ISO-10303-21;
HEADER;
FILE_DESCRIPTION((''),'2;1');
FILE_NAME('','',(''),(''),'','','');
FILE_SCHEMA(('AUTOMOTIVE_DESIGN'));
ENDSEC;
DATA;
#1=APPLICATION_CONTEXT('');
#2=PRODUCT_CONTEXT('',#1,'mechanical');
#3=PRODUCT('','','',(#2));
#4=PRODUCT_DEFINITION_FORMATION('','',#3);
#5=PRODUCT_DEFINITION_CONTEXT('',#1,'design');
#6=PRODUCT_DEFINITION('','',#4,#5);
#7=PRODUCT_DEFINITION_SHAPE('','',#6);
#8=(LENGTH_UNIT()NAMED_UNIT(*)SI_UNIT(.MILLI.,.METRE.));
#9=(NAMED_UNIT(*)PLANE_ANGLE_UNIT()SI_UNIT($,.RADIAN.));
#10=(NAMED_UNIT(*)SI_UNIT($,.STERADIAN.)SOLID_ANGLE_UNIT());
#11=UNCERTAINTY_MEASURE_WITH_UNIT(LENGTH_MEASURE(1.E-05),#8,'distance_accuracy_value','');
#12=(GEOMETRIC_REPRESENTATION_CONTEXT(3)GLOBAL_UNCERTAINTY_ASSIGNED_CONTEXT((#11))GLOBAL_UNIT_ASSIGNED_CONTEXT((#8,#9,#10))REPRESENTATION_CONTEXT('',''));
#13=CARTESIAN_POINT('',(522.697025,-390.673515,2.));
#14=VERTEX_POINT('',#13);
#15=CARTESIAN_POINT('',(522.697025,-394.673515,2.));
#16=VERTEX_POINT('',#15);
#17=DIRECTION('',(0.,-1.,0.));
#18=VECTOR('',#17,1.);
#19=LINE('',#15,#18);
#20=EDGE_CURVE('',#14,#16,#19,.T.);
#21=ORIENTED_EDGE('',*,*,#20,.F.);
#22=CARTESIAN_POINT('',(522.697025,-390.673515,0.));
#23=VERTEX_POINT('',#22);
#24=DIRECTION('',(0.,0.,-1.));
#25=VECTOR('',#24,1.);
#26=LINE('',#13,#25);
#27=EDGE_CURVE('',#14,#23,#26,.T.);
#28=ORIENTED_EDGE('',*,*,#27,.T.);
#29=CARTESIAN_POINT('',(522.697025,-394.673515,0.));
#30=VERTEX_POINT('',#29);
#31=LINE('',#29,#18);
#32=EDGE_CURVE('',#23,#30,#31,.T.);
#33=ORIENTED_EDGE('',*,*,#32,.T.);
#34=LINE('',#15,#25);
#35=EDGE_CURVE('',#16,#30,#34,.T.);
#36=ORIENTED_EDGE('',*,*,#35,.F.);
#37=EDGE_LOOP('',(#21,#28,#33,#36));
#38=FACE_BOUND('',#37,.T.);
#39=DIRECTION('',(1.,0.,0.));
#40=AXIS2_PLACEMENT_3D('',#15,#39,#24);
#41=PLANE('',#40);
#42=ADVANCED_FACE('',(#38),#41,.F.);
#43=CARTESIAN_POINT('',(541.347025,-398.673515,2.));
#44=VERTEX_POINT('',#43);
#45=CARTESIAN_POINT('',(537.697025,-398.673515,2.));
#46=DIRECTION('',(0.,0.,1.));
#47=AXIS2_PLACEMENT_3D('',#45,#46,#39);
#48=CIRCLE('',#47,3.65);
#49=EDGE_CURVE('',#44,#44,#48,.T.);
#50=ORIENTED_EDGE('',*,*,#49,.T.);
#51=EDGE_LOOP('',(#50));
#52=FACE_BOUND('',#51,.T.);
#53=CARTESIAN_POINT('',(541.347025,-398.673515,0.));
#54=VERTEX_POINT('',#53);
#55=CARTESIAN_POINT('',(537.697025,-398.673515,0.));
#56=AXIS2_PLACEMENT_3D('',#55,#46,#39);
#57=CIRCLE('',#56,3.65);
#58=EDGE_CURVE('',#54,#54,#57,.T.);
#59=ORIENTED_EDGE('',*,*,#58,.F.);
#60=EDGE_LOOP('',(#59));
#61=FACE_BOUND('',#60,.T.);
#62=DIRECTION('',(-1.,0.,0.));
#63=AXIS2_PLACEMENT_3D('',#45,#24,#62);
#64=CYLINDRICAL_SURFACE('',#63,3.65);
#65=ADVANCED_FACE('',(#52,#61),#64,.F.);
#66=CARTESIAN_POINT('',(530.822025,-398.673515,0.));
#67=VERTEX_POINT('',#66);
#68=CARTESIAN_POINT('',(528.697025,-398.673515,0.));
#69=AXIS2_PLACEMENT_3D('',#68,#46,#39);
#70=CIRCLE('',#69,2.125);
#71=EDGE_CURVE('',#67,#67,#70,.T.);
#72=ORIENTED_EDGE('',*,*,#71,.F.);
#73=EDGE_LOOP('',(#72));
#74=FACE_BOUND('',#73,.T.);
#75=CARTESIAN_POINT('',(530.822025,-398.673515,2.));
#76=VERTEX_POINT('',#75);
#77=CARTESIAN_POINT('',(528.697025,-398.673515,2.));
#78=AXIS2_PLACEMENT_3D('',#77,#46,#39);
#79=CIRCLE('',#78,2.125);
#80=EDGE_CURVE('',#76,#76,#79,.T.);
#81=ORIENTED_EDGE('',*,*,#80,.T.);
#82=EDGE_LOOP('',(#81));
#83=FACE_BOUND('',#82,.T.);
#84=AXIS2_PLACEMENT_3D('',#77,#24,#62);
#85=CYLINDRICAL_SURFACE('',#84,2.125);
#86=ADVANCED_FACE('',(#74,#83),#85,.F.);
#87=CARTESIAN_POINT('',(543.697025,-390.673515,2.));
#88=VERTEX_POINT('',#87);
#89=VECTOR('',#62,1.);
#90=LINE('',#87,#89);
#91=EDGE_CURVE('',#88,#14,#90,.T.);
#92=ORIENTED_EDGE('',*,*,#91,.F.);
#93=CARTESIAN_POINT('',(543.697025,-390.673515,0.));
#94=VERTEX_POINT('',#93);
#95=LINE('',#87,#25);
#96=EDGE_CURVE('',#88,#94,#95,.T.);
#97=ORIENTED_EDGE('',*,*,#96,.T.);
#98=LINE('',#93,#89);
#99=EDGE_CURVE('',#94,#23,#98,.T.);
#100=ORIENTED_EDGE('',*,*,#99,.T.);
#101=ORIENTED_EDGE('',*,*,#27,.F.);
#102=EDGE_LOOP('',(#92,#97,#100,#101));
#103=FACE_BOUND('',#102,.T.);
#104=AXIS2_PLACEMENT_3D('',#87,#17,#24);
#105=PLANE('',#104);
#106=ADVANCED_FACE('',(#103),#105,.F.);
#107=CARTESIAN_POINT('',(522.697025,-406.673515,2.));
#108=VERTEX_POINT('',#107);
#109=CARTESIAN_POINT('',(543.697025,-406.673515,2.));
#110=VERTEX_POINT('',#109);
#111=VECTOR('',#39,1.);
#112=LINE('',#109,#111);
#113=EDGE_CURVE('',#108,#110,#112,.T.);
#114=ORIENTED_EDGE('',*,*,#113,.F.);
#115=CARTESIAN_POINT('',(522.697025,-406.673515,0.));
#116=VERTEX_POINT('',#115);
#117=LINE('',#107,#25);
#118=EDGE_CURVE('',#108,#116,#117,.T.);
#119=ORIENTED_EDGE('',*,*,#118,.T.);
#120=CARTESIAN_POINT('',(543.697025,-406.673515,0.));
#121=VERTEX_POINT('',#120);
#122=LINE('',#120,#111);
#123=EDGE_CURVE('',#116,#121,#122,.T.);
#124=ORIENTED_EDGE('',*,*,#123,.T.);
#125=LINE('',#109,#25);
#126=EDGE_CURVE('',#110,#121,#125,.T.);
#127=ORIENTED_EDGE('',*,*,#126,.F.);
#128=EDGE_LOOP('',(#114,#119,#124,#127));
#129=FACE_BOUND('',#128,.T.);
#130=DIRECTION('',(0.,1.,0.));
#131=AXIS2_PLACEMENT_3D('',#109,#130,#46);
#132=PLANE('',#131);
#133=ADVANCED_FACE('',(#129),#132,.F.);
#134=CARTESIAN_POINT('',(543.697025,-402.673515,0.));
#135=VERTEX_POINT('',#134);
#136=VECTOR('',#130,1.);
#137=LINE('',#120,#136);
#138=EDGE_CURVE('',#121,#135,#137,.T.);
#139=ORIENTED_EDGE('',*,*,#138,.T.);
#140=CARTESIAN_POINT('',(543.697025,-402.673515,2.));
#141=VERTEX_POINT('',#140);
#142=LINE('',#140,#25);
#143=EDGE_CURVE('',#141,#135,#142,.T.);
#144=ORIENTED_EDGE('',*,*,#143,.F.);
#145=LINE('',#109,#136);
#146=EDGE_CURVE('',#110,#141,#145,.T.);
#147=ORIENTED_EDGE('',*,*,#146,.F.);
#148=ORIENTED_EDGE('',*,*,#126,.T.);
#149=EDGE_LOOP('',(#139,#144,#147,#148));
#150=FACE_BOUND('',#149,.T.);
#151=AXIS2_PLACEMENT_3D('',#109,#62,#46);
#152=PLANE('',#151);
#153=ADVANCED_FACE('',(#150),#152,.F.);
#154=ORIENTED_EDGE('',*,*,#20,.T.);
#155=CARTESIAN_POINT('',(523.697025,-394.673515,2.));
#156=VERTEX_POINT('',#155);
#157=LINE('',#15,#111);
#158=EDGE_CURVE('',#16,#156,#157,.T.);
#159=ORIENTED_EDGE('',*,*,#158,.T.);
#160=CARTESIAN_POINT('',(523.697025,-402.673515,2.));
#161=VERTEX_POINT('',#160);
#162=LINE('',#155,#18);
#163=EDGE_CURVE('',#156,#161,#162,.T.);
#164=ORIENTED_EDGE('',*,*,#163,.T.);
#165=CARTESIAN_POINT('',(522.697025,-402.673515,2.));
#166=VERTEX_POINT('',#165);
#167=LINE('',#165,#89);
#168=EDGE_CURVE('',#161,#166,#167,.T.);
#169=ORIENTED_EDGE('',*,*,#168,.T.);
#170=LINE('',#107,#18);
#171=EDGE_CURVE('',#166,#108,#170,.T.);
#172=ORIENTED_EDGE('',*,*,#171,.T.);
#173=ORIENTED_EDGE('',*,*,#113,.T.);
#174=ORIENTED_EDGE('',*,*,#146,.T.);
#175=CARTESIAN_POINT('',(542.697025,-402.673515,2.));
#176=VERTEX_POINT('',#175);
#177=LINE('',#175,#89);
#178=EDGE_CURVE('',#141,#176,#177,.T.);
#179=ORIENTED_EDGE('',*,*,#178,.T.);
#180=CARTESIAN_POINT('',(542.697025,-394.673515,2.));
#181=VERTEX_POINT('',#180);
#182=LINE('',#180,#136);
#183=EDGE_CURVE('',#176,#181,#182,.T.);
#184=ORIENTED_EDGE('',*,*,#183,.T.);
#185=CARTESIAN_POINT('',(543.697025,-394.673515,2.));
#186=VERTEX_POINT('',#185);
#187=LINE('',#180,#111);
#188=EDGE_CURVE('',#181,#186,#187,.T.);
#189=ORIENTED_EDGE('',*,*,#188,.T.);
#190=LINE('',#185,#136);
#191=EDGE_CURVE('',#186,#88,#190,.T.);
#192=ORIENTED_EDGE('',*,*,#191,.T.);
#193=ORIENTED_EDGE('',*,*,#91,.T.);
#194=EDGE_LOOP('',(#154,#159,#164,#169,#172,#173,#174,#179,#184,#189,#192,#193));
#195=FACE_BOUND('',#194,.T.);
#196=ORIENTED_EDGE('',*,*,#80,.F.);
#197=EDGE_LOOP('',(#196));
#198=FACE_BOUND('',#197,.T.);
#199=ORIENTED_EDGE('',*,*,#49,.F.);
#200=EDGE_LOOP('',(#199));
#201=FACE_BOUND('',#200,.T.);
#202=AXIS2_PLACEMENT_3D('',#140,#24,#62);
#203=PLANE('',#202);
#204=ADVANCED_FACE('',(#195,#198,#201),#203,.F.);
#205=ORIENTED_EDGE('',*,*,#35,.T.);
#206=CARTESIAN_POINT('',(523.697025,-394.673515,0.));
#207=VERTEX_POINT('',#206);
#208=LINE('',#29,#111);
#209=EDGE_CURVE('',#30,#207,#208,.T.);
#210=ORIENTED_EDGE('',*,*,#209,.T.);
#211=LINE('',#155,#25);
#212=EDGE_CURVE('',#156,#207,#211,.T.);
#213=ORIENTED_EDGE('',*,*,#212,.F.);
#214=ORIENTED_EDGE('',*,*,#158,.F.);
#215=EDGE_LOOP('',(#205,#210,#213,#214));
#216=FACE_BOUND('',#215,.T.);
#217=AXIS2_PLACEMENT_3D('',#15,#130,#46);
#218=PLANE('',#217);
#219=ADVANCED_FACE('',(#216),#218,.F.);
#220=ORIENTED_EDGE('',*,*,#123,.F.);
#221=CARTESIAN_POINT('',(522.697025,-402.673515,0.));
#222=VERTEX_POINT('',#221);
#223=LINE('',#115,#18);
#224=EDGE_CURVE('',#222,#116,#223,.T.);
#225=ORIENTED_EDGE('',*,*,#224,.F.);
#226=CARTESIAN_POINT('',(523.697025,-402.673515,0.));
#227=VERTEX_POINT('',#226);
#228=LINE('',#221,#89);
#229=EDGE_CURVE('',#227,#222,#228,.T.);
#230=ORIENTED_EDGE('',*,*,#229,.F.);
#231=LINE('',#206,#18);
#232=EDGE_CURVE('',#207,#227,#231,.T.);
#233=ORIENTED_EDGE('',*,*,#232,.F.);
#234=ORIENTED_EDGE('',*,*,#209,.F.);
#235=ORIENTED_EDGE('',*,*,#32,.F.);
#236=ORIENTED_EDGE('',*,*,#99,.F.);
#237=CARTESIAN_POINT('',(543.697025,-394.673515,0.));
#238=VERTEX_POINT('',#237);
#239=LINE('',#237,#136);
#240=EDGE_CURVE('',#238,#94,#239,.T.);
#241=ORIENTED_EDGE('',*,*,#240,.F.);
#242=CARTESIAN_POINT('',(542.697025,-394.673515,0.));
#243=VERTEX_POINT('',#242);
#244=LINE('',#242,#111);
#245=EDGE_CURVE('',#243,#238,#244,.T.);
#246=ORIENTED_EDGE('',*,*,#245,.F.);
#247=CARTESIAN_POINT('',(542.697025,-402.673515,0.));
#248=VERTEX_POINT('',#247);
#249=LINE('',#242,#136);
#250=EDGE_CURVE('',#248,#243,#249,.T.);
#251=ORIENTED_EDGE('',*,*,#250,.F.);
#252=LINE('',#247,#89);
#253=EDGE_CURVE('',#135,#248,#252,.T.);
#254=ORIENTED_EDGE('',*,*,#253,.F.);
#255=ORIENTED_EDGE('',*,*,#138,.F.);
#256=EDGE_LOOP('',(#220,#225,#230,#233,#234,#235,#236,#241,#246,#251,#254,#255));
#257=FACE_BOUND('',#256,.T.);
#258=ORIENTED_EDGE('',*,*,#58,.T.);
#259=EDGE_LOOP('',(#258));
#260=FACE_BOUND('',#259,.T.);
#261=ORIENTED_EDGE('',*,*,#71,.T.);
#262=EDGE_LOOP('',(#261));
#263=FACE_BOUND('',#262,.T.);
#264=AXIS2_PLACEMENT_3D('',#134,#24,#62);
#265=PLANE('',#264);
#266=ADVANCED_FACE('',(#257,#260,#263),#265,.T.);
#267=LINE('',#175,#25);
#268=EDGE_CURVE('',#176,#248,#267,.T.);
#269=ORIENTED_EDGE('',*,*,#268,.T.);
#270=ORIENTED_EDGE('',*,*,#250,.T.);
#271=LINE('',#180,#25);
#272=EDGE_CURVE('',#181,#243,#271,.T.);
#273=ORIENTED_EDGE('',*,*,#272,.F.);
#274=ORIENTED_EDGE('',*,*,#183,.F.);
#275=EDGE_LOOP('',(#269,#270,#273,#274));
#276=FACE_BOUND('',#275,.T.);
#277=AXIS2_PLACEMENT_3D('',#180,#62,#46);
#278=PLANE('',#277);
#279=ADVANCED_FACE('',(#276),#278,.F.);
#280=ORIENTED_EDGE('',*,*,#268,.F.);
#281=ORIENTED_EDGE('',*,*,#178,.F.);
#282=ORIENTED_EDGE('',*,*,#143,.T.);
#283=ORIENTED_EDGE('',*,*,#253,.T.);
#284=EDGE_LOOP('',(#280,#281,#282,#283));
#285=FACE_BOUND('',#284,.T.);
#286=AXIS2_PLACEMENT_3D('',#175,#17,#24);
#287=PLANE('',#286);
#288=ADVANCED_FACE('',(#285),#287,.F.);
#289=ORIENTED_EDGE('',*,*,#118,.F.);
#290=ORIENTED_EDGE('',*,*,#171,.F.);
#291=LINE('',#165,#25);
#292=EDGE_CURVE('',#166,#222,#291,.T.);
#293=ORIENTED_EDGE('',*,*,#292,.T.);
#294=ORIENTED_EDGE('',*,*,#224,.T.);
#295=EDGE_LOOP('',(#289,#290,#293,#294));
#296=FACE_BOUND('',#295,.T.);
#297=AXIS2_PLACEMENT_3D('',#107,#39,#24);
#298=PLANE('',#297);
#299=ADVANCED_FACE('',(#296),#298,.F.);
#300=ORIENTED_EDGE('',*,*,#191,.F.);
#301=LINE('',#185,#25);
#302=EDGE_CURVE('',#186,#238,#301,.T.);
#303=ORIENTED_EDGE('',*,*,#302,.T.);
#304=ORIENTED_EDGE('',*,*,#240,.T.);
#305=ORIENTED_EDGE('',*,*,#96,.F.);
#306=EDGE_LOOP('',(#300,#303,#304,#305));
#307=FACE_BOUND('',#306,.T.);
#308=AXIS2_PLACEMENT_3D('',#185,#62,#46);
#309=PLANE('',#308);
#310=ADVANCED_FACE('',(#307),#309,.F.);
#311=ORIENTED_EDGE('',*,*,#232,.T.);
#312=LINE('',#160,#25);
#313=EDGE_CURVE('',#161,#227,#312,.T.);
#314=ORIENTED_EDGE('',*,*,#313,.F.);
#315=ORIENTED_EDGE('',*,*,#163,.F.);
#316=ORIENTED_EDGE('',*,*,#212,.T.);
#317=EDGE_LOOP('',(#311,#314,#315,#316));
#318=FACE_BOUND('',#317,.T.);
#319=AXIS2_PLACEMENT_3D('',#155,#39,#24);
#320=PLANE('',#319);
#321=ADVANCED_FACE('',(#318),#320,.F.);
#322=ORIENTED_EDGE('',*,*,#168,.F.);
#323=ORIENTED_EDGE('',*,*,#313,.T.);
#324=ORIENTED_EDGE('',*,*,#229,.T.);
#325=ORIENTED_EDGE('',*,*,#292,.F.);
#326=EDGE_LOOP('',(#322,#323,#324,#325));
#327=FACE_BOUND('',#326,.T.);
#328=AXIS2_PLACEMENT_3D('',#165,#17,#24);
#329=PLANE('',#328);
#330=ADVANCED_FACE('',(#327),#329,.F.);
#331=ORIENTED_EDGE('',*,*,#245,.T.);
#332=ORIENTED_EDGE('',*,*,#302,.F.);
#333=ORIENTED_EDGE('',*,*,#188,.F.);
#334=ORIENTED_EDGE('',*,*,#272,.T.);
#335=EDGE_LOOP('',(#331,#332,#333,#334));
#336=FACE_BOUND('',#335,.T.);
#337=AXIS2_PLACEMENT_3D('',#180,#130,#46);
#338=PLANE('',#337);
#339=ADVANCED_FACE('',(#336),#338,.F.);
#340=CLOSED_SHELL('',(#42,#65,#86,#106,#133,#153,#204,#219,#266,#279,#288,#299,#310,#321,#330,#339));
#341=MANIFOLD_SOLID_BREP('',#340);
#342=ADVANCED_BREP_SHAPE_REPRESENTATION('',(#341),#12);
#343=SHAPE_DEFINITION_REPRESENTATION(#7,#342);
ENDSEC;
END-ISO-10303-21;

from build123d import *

# Parameters (mm, degrees)
SKETCH1_R      = 3.65
SKETCH1_R_2    = 2.125
EXTRUDE1_DEPTH = 2


with BuildPart() as part:
    # Sketch1 → Extrude1 (new body)
    with BuildSketch(Plane.XY):
        Polygon((543.697024667, -406.673514651), (522.697024667, -406.673514651), (522.697024667, -402.673514651), (523.697024667, -402.673514651), (523.697024667, -394.673514651), (522.697024667, -394.673514651), (522.697024667, -390.673514651), (543.697024667, -390.673514651), (543.697024667, -394.673514651), (542.697024667, -394.673514651), (542.697024667, -402.673514651), (543.697024667, -402.673514651), align=None)
        with Locations((537.697024667, -398.673514651)):
            Circle(SKETCH1_R, mode=Mode.SUBTRACT)
        with Locations((528.697024667, -398.673514651)):
            Circle(SKETCH1_R_2, mode=Mode.SUBTRACT)
    extrude(amount=EXTRUDE1_DEPTH)


solid = part.part
